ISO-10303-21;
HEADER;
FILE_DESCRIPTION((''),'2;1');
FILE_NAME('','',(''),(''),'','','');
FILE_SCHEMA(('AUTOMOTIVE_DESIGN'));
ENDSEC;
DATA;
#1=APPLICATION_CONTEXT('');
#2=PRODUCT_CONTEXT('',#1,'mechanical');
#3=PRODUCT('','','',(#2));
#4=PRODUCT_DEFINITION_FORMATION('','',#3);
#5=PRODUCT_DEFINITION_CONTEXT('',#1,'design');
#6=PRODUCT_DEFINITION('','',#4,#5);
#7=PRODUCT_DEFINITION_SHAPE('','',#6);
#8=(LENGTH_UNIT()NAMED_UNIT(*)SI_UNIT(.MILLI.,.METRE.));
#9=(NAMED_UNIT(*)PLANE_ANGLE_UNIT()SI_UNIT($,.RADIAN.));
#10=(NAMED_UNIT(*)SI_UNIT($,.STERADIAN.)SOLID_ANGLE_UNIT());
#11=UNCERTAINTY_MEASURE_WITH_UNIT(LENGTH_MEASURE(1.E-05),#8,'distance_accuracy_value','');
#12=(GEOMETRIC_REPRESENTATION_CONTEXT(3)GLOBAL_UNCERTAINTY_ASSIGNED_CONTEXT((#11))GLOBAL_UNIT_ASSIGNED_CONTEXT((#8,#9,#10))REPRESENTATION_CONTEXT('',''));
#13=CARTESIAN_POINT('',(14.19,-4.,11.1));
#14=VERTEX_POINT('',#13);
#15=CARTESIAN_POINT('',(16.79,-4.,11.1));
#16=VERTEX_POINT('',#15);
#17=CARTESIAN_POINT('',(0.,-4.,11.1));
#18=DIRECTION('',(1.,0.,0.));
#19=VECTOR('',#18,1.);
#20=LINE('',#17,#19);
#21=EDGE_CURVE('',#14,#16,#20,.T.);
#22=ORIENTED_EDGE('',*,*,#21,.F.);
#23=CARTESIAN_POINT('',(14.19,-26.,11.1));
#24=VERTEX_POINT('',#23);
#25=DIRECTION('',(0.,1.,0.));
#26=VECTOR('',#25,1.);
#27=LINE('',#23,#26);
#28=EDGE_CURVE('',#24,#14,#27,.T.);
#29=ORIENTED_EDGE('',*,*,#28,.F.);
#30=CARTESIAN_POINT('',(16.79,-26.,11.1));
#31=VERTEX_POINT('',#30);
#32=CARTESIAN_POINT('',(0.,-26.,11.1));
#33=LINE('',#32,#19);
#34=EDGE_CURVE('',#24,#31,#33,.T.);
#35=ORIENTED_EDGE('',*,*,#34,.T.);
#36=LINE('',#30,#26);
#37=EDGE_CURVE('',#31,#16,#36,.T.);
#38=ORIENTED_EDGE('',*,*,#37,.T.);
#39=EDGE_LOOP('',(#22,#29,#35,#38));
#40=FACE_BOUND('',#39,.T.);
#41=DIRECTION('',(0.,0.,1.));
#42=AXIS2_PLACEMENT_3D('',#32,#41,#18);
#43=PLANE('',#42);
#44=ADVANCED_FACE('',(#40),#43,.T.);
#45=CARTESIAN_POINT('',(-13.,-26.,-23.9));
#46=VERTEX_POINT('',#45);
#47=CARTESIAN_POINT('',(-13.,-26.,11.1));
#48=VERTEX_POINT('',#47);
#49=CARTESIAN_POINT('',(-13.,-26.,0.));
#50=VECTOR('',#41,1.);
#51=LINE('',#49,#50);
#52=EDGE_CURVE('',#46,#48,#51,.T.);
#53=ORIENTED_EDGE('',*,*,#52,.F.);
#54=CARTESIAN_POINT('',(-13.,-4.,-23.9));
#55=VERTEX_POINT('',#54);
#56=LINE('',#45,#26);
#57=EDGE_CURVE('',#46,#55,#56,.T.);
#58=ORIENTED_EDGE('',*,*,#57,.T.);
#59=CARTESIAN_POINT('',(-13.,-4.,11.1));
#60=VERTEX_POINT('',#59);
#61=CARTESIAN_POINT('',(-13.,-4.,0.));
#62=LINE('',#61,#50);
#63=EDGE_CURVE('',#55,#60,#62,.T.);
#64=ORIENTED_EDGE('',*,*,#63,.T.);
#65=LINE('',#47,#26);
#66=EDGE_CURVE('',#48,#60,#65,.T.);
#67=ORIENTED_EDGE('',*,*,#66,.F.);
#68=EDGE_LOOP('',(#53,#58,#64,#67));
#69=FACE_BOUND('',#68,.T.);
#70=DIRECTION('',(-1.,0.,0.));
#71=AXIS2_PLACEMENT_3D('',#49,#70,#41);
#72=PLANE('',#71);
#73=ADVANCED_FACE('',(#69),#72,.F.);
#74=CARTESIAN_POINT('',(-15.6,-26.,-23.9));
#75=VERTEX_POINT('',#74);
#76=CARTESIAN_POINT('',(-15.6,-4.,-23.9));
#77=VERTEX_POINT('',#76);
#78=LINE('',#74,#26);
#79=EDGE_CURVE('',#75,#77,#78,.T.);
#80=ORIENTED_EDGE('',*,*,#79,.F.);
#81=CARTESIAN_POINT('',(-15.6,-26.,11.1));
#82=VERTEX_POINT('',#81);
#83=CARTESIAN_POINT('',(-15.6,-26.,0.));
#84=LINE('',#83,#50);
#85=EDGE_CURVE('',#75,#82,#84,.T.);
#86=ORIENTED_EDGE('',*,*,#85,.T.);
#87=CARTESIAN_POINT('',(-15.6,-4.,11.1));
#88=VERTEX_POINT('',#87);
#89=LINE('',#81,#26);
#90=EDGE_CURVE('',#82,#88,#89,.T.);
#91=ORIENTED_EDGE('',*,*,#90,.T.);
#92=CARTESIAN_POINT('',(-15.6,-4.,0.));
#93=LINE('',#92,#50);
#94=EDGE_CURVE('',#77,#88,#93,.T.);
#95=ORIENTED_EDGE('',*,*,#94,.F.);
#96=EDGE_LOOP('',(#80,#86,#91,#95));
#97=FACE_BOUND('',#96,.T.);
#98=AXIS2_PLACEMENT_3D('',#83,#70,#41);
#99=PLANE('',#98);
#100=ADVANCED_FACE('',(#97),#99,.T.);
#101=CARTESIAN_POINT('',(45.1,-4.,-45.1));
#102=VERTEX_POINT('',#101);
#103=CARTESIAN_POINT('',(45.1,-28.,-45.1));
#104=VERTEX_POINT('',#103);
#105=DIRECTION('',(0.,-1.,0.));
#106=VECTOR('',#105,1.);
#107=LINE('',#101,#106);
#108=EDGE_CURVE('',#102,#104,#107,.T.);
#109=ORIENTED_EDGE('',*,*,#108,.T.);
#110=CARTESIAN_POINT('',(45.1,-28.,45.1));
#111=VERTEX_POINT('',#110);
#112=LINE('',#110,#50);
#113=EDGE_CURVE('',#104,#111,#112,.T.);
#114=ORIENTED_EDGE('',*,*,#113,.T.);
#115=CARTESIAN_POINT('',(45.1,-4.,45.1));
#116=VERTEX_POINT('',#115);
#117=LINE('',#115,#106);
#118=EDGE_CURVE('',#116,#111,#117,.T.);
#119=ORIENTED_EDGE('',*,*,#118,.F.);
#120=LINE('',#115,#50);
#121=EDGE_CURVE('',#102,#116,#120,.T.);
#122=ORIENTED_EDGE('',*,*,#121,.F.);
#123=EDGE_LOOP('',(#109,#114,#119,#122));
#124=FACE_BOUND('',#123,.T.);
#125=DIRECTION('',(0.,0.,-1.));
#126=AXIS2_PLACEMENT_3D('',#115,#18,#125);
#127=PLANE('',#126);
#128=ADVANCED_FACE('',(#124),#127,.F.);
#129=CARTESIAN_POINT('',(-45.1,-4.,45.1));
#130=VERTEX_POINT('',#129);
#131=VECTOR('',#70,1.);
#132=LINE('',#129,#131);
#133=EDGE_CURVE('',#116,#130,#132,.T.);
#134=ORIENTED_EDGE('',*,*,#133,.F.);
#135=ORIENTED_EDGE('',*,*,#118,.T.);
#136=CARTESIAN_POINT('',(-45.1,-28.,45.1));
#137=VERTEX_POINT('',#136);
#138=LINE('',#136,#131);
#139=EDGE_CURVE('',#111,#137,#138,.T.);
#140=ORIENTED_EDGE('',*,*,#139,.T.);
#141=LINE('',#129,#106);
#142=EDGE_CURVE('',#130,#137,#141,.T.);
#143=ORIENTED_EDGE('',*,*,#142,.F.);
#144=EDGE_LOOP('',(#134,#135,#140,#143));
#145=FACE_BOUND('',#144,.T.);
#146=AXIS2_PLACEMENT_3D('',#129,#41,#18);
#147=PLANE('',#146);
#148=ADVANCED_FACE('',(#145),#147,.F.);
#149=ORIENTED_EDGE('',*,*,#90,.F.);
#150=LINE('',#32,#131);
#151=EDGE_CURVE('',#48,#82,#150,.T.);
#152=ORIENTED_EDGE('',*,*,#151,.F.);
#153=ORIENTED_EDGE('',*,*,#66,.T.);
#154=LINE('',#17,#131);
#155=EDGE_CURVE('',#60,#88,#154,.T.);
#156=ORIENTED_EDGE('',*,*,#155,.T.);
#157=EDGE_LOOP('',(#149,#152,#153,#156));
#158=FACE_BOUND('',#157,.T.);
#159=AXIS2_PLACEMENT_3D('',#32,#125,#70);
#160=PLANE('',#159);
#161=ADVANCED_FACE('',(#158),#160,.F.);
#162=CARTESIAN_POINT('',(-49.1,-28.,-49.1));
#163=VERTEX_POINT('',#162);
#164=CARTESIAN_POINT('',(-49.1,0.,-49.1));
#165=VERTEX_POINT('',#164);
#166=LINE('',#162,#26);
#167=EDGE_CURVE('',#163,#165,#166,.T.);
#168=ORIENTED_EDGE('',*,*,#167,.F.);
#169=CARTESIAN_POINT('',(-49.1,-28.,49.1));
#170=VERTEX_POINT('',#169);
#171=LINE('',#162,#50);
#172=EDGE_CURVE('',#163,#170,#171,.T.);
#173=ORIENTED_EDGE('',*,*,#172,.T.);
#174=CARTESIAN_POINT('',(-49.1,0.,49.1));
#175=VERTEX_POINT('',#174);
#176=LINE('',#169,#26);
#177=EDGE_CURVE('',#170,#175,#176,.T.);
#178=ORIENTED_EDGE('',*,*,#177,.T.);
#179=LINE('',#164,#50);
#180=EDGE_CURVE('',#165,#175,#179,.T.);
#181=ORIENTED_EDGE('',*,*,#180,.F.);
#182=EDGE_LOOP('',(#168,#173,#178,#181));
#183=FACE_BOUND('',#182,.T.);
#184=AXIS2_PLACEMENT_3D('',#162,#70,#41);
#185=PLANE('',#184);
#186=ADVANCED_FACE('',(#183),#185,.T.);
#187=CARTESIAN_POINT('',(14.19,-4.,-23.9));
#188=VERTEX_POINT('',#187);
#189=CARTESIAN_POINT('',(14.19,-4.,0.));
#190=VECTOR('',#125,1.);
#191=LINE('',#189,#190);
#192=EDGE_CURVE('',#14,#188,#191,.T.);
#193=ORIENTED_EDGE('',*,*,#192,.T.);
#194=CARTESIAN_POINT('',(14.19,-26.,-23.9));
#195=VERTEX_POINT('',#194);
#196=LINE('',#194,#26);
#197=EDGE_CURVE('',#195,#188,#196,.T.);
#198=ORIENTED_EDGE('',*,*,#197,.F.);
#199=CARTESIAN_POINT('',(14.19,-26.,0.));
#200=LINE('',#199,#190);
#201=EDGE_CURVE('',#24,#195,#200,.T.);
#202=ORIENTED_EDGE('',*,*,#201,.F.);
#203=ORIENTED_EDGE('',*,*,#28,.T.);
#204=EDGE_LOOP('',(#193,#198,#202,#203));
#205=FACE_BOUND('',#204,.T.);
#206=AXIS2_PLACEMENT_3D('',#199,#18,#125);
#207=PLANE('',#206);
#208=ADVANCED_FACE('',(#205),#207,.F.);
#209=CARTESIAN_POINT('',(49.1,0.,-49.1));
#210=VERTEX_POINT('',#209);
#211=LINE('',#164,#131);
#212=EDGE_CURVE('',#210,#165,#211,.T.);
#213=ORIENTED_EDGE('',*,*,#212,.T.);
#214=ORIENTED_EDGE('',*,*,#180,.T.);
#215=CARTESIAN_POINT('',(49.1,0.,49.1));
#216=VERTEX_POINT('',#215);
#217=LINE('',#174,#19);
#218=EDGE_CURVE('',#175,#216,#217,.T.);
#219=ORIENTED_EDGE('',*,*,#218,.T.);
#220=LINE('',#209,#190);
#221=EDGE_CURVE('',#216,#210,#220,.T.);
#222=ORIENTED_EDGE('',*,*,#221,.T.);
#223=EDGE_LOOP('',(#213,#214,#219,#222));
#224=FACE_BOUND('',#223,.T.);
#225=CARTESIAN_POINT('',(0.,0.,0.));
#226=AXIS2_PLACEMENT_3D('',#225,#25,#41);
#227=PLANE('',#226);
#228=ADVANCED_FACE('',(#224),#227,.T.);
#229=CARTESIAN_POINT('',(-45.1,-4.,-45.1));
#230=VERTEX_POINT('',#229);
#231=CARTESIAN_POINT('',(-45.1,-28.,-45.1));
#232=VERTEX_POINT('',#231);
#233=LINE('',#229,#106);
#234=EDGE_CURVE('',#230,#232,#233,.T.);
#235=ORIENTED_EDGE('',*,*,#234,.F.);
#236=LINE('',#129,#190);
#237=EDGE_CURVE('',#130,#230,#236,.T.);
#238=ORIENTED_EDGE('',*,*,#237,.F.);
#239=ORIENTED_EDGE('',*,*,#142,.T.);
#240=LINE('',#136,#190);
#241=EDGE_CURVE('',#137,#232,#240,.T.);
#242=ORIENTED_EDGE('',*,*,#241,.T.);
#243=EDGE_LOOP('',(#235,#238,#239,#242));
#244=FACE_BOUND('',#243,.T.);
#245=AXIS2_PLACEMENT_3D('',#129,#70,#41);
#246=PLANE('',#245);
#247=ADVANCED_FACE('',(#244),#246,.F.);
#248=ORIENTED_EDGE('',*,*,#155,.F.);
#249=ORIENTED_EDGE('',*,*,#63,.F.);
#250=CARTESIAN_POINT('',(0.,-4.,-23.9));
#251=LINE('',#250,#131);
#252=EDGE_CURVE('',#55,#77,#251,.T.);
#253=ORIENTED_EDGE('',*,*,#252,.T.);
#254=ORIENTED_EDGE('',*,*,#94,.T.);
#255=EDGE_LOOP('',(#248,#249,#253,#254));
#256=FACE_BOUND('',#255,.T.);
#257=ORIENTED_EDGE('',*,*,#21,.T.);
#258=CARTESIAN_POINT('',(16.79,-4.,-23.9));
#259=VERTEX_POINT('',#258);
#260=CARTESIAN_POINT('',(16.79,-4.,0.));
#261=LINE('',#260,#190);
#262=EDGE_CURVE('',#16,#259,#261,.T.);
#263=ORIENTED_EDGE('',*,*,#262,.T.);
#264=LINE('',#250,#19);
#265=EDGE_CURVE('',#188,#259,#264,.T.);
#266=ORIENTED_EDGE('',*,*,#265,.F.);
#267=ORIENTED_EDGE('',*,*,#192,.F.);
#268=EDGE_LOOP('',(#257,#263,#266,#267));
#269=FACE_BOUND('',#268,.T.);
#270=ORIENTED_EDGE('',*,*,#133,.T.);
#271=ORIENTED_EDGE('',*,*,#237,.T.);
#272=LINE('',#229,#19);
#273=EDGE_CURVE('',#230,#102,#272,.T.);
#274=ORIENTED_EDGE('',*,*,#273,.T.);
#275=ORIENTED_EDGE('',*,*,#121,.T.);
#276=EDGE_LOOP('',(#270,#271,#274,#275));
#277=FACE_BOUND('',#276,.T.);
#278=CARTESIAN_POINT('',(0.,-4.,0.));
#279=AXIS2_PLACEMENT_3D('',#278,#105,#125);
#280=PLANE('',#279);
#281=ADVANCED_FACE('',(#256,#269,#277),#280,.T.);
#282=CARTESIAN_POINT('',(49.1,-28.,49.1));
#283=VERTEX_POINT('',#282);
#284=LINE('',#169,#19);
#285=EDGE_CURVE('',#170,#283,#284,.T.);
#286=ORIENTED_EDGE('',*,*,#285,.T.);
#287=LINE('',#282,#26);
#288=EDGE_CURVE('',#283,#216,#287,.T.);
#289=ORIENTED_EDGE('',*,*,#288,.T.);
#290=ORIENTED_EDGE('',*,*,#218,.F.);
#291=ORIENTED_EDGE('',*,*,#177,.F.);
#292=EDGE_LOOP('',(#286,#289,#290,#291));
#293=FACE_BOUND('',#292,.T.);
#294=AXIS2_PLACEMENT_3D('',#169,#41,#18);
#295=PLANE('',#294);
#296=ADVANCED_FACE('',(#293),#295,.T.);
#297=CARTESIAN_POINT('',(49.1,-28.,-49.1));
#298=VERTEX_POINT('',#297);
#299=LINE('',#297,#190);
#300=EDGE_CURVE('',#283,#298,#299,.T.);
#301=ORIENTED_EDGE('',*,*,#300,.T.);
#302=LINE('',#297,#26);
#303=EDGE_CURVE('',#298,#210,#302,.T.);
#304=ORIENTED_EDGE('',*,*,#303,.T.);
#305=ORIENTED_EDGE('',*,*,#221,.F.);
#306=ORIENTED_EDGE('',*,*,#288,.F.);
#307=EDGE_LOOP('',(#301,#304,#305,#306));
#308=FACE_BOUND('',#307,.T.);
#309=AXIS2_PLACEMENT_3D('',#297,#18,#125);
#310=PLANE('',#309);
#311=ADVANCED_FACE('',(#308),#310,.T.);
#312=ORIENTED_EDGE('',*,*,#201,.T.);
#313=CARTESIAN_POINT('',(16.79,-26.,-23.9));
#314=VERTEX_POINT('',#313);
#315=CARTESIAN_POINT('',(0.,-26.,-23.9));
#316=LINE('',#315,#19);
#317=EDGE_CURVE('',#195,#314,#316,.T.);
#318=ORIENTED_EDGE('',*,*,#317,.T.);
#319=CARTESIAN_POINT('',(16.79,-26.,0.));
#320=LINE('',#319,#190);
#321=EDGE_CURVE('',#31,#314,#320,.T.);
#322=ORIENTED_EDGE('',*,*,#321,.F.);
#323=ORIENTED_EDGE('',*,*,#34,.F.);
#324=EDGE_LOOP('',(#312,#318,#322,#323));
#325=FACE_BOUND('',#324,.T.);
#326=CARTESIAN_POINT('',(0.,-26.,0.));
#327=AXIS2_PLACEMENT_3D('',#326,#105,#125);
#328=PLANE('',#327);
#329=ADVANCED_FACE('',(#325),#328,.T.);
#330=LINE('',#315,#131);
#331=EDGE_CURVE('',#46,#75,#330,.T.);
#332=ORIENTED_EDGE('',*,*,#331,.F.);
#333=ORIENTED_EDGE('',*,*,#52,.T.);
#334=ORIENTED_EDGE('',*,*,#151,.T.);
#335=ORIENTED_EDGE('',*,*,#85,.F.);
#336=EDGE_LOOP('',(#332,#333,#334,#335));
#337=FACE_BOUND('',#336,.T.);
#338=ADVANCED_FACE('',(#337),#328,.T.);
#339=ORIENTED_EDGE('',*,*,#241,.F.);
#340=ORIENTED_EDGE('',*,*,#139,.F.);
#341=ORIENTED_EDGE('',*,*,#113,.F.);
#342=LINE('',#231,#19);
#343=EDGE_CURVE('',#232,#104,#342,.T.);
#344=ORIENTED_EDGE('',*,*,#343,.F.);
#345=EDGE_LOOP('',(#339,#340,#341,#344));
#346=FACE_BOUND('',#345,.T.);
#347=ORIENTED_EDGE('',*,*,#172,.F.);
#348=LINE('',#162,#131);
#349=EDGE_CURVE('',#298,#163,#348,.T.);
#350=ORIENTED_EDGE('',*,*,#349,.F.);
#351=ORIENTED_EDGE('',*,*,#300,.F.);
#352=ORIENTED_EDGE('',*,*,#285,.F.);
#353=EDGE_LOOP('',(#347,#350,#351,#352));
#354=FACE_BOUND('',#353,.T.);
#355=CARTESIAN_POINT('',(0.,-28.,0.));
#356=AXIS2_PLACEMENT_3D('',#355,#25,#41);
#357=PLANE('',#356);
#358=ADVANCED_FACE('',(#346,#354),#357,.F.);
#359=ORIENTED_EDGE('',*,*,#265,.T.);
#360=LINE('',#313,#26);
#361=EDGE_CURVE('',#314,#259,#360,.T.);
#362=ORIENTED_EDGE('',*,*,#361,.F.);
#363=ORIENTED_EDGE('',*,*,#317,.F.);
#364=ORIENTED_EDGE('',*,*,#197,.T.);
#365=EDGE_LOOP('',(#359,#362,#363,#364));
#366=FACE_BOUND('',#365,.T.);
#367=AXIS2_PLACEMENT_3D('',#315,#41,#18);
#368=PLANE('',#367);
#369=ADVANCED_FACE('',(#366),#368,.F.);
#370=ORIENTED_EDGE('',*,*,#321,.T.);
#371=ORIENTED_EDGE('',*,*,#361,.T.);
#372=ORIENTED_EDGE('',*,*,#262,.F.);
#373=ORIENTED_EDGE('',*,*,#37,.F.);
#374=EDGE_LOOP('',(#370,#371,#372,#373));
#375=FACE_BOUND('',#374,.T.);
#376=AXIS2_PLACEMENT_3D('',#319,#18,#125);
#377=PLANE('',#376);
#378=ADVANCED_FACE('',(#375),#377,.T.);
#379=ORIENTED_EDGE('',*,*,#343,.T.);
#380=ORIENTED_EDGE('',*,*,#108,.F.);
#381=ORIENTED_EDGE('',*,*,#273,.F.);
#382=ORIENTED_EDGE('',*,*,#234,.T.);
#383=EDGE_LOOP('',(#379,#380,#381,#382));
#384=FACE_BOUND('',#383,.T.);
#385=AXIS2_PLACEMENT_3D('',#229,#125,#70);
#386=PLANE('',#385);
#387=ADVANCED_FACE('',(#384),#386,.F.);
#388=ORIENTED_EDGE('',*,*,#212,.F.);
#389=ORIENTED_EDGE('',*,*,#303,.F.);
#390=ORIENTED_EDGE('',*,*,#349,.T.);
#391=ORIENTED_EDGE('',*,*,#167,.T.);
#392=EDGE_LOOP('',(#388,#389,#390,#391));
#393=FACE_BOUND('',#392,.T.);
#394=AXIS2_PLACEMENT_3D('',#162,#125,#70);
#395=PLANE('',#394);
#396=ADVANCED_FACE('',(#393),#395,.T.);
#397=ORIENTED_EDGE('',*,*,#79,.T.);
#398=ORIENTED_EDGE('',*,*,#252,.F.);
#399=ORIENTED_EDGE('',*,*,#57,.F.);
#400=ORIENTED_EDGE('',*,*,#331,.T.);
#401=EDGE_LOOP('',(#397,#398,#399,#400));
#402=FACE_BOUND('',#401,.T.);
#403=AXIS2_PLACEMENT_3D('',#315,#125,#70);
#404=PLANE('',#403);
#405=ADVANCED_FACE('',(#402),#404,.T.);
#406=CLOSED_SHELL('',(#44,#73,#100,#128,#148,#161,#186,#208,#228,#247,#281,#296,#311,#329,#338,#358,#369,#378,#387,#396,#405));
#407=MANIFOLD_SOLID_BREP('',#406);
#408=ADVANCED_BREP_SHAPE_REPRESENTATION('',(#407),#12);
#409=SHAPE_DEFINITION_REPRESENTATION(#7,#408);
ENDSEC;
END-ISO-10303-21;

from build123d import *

# Parameters (mm, degrees)
CROQUIS1_W              = 98.2
CROQUIS1_H              = 98.2
SALIENTE_EXTRUIR2_DEPTH = 28
CROQUIS2_W              = 90.2
CROQUIS2_H              = 90.2
CORTAR_EXTRUIR1_DEPTH   = 24
CROQUIS3_W              = 2.6
CROQUIS3_H              = 35
SALIENTE_EXTRUIR3_DEPTH = 22
CROQUIS5_W              = 2.6
CROQUIS5_H              = 35
SALIENTE_EXTRUIR4_DEPTH = 22


with BuildPart() as part:
    # Croquis1 → Saliente-Extruir2 (new body)
    with BuildSketch(Plane(origin=(0, 0, 0), x_dir=(1, 0, 0), z_dir=(0, 1, 0))):
        Rectangle(CROQUIS1_W, CROQUIS1_H)
    extrude(amount=-SALIENTE_EXTRUIR2_DEPTH)

    # Croquis2 → Cortar-Extruir1 (cut)
    with BuildSketch(Plane.XZ.offset(28)):
        Rectangle(CROQUIS2_W, CROQUIS2_H)
    extrude(amount=-CORTAR_EXTRUIR1_DEPTH, mode=Mode.SUBTRACT)

    # Croquis3 → Saliente-Extruir3 (add)
    with BuildSketch(Plane.XZ.offset(4)):
        with Locations((-14.3, -6.4)):
            Rectangle(CROQUIS3_W, CROQUIS3_H)
    extrude(amount=SALIENTE_EXTRUIR3_DEPTH)

    # Croquis5 → Saliente-Extruir4 (add)
    with BuildSketch(Plane.XZ.offset(4)):
        with Locations((15.49, -6.4)):
            Rectangle(CROQUIS5_W, CROQUIS5_H)
    extrude(amount=SALIENTE_EXTRUIR4_DEPTH)


solid = part.part
